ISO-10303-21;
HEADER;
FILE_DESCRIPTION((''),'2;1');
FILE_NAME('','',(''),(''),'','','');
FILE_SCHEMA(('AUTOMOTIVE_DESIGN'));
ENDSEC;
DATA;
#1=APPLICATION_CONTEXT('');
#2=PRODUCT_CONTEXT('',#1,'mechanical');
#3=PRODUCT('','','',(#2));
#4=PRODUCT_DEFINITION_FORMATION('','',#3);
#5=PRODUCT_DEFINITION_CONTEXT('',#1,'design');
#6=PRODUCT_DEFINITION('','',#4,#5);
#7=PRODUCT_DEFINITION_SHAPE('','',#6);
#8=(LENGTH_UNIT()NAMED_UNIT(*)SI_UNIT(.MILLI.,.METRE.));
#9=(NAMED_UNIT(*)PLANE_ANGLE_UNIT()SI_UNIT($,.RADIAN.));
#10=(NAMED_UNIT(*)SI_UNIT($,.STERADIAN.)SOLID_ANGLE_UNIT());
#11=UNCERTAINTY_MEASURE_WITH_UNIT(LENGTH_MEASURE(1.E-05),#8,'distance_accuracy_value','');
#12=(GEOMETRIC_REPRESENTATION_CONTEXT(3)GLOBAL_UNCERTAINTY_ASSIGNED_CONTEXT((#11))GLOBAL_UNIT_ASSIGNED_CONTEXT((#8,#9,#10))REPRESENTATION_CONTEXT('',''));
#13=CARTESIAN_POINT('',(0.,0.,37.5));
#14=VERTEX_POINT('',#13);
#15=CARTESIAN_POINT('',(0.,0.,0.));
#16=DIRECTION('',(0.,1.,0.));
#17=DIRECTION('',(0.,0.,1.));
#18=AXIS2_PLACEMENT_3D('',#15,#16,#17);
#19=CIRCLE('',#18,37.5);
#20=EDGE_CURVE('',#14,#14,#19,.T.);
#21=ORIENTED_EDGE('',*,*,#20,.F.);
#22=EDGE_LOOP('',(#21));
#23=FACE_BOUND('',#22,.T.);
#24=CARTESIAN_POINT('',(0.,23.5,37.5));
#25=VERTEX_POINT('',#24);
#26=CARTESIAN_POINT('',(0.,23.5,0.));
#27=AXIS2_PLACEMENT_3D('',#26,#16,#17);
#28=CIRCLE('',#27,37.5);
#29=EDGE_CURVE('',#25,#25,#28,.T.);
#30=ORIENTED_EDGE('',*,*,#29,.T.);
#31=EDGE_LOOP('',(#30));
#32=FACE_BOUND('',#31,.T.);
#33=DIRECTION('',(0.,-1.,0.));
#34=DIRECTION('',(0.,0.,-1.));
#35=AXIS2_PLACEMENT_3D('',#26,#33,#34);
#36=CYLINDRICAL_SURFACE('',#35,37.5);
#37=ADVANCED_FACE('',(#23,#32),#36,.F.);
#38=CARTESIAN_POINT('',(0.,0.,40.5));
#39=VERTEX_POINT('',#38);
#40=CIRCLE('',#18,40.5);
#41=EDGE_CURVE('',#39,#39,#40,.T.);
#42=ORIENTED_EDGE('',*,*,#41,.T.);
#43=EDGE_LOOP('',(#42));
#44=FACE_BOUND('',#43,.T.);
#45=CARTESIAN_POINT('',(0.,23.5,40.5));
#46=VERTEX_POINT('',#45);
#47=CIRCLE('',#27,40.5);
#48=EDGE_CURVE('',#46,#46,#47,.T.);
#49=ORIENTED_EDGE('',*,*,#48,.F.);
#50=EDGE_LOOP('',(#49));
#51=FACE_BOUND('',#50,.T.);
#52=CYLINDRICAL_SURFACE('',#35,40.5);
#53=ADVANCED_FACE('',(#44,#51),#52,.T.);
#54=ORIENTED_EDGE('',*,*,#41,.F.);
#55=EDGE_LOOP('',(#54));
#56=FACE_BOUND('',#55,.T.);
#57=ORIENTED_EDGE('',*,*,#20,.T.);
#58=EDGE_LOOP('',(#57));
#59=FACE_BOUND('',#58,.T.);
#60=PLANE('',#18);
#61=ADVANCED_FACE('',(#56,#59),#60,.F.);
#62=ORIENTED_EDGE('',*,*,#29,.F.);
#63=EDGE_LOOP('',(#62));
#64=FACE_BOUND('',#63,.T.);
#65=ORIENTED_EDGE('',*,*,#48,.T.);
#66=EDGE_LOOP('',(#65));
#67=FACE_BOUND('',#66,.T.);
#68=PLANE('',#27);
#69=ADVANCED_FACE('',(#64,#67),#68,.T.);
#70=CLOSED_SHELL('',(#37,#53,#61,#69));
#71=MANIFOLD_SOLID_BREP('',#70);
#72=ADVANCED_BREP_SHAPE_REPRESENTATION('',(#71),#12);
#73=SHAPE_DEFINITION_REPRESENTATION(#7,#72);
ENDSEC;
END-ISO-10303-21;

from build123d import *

# Parameters (mm, degrees)
SKETCH1_R           = 40.5
SKETCH1_R_2         = 37.5
BOSS_EXTRUDE1_DEPTH = 23.5


with BuildPart() as part:
    # Sketch1 → Boss-Extrude1 (new body)
    with BuildSketch(Plane(origin=(0, 0, 0), x_dir=(1, 0, 0), z_dir=(0, 1, 0))):
        Circle(SKETCH1_R)
        Circle(SKETCH1_R_2, mode=Mode.SUBTRACT)
    extrude(amount=BOSS_EXTRUDE1_DEPTH)


solid = part.part
